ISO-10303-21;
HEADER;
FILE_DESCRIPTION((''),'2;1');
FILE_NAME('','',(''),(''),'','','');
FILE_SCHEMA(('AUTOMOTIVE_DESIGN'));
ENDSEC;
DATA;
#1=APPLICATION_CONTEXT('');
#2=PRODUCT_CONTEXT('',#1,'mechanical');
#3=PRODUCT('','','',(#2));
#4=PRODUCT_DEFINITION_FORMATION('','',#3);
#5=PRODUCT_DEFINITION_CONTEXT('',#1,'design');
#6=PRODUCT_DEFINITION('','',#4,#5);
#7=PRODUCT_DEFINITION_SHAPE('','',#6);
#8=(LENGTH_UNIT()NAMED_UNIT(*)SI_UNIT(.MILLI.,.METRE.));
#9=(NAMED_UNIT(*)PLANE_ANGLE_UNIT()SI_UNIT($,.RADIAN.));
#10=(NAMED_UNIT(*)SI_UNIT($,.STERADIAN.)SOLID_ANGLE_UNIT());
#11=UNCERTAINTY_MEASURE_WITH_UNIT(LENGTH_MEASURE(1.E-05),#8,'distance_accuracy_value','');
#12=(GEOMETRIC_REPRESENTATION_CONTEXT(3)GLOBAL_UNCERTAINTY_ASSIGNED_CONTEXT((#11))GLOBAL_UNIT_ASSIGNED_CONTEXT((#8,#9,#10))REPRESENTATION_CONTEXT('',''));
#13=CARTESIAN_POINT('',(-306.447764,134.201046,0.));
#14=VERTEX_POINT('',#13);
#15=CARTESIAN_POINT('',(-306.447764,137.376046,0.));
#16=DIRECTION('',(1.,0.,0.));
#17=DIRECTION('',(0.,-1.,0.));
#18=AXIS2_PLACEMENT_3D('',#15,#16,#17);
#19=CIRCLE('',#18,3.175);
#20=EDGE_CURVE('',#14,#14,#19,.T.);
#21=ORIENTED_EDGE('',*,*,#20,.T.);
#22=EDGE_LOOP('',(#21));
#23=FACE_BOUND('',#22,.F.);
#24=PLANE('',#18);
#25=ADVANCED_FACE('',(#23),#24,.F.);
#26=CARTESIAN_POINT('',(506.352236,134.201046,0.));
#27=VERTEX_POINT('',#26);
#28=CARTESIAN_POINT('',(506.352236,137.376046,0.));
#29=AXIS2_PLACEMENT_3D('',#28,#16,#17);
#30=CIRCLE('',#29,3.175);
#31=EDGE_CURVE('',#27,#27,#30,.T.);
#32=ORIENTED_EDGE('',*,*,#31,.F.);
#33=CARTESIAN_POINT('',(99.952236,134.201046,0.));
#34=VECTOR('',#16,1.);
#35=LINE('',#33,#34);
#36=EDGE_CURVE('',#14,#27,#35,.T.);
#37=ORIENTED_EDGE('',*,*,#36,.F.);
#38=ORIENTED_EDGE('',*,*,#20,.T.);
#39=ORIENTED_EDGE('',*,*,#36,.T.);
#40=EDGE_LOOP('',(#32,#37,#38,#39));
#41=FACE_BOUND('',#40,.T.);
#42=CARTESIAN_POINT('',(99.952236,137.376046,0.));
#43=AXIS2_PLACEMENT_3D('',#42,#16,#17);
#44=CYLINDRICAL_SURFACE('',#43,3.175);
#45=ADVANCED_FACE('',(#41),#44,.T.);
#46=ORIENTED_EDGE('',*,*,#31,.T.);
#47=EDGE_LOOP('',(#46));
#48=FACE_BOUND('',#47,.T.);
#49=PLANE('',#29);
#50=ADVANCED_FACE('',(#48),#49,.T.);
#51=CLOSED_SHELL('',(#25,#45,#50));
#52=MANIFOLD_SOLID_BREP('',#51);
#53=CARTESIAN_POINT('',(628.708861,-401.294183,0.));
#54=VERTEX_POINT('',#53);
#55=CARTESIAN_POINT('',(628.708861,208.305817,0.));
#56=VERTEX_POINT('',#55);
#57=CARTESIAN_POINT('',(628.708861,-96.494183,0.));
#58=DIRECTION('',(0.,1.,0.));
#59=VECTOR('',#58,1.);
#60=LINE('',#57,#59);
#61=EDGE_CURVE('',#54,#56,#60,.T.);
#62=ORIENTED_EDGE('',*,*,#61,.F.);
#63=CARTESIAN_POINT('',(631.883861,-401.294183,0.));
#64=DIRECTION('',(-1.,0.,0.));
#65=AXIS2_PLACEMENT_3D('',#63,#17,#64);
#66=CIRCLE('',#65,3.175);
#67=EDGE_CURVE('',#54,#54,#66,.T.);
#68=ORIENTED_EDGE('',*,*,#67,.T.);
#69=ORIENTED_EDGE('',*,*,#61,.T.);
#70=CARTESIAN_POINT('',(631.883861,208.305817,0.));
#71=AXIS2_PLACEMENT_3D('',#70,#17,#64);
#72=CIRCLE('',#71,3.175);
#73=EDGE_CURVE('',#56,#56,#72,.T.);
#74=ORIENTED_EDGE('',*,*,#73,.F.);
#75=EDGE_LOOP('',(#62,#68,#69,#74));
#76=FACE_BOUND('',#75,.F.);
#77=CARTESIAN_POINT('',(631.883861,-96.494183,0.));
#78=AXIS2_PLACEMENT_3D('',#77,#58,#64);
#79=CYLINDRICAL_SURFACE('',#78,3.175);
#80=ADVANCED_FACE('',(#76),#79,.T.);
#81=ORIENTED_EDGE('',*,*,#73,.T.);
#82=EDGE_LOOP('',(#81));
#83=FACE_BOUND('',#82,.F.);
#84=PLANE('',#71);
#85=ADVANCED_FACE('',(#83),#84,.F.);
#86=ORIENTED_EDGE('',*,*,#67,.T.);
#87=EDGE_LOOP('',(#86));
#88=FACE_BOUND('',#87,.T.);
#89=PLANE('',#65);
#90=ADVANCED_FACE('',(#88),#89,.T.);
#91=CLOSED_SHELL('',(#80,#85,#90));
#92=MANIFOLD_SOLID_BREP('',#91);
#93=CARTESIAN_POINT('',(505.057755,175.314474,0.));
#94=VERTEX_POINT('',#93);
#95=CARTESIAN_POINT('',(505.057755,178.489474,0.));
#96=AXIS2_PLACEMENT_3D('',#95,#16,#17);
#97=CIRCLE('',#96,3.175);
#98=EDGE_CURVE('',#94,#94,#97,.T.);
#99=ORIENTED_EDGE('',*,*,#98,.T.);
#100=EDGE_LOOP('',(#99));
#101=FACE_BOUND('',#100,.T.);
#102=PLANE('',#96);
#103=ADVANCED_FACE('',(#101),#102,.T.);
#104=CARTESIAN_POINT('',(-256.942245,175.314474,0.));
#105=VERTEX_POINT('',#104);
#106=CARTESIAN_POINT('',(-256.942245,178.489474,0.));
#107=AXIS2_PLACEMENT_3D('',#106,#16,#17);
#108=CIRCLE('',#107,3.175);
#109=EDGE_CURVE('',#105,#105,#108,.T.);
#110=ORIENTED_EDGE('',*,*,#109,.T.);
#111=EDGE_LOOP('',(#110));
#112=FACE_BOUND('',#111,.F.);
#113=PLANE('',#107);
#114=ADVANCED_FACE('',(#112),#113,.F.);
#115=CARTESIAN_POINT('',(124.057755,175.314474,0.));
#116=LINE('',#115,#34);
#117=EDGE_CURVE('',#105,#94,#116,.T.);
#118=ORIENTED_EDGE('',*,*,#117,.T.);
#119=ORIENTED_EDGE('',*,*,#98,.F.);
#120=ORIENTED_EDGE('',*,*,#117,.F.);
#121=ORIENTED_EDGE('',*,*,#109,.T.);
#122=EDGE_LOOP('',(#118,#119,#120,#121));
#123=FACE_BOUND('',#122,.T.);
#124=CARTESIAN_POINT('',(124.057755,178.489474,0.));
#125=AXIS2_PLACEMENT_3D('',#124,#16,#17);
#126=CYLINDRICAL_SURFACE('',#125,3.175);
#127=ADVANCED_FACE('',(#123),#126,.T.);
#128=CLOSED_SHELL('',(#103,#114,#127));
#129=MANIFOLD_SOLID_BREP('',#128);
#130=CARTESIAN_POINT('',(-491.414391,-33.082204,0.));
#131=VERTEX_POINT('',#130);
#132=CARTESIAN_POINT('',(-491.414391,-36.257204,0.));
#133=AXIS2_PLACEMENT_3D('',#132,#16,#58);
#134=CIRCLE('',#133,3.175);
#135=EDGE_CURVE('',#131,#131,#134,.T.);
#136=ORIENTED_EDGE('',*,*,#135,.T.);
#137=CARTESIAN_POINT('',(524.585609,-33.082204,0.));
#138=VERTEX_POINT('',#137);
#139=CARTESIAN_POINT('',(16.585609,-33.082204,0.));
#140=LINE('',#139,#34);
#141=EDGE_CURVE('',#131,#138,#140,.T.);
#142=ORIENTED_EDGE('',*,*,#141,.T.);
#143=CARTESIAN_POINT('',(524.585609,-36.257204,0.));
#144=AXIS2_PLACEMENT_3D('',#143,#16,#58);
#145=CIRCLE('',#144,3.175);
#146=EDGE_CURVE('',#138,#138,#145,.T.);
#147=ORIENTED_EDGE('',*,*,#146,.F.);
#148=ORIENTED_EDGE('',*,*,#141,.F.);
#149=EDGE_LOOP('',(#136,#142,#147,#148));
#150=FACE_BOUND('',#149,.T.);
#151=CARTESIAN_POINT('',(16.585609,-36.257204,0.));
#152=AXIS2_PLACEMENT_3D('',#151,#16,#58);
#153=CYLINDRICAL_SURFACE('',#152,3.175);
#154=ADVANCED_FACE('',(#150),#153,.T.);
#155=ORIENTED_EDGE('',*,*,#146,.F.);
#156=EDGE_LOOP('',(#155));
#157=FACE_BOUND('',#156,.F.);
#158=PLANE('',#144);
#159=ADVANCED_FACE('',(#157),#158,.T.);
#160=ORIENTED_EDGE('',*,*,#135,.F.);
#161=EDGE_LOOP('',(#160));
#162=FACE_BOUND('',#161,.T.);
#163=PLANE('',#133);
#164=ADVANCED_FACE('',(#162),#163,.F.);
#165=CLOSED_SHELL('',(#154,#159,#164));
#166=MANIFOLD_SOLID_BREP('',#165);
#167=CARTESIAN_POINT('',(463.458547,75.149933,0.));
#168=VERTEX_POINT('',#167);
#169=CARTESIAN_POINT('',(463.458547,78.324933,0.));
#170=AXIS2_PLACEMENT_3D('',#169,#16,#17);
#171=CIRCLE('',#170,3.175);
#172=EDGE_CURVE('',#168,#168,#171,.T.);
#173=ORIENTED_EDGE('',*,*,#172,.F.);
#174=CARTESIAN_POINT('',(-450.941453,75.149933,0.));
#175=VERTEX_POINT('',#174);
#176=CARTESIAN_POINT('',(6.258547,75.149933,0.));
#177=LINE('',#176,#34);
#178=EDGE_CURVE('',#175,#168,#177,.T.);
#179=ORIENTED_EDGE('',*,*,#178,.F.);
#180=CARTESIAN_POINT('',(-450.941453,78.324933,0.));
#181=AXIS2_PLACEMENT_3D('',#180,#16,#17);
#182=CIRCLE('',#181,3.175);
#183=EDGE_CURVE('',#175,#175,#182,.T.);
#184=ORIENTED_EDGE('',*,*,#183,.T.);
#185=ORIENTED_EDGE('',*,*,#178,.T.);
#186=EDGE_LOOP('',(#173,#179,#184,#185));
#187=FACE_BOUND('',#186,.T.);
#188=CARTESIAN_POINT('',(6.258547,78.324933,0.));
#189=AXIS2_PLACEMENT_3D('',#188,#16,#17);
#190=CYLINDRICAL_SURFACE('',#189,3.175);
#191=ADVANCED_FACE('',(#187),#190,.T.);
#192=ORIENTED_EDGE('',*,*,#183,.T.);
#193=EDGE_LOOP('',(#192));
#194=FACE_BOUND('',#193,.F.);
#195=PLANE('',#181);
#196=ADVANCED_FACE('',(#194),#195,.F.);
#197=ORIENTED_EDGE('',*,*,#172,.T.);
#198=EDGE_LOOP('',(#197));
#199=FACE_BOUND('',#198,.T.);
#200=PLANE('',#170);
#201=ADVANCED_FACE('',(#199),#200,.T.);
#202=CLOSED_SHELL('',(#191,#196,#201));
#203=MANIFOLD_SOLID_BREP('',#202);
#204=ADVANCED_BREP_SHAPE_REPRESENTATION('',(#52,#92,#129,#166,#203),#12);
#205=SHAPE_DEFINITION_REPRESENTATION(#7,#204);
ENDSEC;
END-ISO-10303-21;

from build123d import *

# Parameters (mm, degrees)
F0_W = 1016
F0_H = 3.175
F2_W = 914.4
F2_H = 3.175
F3_W = 812.8
F3_H = 3.175
F4_W = 762
F4_H = 3.175
F8_W = 3.175
F8_H = 609.6
F9_W = 3.175
F9_H = 914.4


with BuildPart() as f1:
    # F0 (on Top) → F1 (revolve)
    with BuildSketch(Plane.XY):
        with Locations((16.585609, -34.669704)):
            Rectangle(F0_W, F0_H)
    revolve(axis=Axis((16.585609, -36.257204, 0), (1, 0, 0)))


with BuildPart() as f5:
    # F2 (on Top) → F5 (revolve)
    with BuildSketch(Plane.XY):
        with Locations((6.258547, 76.737433)):
            Rectangle(F2_W, F2_H)
    revolve(axis=Axis((6.258547, 78.324933, 0), (1, 0, 0)))


with BuildPart() as f6:
    # F3 (on Top) → F6 (revolve)
    with BuildSketch(Plane.XY):
        with Locations((99.952236, 135.788546)):
            Rectangle(F3_W, F3_H)
    revolve(axis=Axis((99.952236, 137.376046, 0), (1, 0, 0)))


with BuildPart() as f7:
    # F4 (on Top) → F7 (revolve)
    with BuildSketch(Plane.XY):
        with Locations((124.057755, 176.901974)):
            Rectangle(F4_W, F4_H)
    revolve(axis=Axis((124.057755, 178.489474, 0), (1, 0, 0)))


with BuildPart() as f10:
    # F8 (on Top) → F10 (revolve)
    with BuildSketch(Plane.XY):
        with Locations((630.296361, -96.494183)):
            Rectangle(F8_W, F8_H)
    revolve(axis=Axis((631.883861, -96.494183, 0), (0, -1, 0)))


with BuildPart() as f11:
    # F9 (on Top) → F11 (revolve)
    with BuildSketch(Plane.XY):
        with Locations((711.808065, -68.618268)):
            Rectangle(F9_W, F9_H)
    revolve(axis=Axis((713.395565, -68.618268, 0), (0, -1, 0)))


solid = Compound([f1.part, f5.part, f6.part, f7.part, f10.part])
